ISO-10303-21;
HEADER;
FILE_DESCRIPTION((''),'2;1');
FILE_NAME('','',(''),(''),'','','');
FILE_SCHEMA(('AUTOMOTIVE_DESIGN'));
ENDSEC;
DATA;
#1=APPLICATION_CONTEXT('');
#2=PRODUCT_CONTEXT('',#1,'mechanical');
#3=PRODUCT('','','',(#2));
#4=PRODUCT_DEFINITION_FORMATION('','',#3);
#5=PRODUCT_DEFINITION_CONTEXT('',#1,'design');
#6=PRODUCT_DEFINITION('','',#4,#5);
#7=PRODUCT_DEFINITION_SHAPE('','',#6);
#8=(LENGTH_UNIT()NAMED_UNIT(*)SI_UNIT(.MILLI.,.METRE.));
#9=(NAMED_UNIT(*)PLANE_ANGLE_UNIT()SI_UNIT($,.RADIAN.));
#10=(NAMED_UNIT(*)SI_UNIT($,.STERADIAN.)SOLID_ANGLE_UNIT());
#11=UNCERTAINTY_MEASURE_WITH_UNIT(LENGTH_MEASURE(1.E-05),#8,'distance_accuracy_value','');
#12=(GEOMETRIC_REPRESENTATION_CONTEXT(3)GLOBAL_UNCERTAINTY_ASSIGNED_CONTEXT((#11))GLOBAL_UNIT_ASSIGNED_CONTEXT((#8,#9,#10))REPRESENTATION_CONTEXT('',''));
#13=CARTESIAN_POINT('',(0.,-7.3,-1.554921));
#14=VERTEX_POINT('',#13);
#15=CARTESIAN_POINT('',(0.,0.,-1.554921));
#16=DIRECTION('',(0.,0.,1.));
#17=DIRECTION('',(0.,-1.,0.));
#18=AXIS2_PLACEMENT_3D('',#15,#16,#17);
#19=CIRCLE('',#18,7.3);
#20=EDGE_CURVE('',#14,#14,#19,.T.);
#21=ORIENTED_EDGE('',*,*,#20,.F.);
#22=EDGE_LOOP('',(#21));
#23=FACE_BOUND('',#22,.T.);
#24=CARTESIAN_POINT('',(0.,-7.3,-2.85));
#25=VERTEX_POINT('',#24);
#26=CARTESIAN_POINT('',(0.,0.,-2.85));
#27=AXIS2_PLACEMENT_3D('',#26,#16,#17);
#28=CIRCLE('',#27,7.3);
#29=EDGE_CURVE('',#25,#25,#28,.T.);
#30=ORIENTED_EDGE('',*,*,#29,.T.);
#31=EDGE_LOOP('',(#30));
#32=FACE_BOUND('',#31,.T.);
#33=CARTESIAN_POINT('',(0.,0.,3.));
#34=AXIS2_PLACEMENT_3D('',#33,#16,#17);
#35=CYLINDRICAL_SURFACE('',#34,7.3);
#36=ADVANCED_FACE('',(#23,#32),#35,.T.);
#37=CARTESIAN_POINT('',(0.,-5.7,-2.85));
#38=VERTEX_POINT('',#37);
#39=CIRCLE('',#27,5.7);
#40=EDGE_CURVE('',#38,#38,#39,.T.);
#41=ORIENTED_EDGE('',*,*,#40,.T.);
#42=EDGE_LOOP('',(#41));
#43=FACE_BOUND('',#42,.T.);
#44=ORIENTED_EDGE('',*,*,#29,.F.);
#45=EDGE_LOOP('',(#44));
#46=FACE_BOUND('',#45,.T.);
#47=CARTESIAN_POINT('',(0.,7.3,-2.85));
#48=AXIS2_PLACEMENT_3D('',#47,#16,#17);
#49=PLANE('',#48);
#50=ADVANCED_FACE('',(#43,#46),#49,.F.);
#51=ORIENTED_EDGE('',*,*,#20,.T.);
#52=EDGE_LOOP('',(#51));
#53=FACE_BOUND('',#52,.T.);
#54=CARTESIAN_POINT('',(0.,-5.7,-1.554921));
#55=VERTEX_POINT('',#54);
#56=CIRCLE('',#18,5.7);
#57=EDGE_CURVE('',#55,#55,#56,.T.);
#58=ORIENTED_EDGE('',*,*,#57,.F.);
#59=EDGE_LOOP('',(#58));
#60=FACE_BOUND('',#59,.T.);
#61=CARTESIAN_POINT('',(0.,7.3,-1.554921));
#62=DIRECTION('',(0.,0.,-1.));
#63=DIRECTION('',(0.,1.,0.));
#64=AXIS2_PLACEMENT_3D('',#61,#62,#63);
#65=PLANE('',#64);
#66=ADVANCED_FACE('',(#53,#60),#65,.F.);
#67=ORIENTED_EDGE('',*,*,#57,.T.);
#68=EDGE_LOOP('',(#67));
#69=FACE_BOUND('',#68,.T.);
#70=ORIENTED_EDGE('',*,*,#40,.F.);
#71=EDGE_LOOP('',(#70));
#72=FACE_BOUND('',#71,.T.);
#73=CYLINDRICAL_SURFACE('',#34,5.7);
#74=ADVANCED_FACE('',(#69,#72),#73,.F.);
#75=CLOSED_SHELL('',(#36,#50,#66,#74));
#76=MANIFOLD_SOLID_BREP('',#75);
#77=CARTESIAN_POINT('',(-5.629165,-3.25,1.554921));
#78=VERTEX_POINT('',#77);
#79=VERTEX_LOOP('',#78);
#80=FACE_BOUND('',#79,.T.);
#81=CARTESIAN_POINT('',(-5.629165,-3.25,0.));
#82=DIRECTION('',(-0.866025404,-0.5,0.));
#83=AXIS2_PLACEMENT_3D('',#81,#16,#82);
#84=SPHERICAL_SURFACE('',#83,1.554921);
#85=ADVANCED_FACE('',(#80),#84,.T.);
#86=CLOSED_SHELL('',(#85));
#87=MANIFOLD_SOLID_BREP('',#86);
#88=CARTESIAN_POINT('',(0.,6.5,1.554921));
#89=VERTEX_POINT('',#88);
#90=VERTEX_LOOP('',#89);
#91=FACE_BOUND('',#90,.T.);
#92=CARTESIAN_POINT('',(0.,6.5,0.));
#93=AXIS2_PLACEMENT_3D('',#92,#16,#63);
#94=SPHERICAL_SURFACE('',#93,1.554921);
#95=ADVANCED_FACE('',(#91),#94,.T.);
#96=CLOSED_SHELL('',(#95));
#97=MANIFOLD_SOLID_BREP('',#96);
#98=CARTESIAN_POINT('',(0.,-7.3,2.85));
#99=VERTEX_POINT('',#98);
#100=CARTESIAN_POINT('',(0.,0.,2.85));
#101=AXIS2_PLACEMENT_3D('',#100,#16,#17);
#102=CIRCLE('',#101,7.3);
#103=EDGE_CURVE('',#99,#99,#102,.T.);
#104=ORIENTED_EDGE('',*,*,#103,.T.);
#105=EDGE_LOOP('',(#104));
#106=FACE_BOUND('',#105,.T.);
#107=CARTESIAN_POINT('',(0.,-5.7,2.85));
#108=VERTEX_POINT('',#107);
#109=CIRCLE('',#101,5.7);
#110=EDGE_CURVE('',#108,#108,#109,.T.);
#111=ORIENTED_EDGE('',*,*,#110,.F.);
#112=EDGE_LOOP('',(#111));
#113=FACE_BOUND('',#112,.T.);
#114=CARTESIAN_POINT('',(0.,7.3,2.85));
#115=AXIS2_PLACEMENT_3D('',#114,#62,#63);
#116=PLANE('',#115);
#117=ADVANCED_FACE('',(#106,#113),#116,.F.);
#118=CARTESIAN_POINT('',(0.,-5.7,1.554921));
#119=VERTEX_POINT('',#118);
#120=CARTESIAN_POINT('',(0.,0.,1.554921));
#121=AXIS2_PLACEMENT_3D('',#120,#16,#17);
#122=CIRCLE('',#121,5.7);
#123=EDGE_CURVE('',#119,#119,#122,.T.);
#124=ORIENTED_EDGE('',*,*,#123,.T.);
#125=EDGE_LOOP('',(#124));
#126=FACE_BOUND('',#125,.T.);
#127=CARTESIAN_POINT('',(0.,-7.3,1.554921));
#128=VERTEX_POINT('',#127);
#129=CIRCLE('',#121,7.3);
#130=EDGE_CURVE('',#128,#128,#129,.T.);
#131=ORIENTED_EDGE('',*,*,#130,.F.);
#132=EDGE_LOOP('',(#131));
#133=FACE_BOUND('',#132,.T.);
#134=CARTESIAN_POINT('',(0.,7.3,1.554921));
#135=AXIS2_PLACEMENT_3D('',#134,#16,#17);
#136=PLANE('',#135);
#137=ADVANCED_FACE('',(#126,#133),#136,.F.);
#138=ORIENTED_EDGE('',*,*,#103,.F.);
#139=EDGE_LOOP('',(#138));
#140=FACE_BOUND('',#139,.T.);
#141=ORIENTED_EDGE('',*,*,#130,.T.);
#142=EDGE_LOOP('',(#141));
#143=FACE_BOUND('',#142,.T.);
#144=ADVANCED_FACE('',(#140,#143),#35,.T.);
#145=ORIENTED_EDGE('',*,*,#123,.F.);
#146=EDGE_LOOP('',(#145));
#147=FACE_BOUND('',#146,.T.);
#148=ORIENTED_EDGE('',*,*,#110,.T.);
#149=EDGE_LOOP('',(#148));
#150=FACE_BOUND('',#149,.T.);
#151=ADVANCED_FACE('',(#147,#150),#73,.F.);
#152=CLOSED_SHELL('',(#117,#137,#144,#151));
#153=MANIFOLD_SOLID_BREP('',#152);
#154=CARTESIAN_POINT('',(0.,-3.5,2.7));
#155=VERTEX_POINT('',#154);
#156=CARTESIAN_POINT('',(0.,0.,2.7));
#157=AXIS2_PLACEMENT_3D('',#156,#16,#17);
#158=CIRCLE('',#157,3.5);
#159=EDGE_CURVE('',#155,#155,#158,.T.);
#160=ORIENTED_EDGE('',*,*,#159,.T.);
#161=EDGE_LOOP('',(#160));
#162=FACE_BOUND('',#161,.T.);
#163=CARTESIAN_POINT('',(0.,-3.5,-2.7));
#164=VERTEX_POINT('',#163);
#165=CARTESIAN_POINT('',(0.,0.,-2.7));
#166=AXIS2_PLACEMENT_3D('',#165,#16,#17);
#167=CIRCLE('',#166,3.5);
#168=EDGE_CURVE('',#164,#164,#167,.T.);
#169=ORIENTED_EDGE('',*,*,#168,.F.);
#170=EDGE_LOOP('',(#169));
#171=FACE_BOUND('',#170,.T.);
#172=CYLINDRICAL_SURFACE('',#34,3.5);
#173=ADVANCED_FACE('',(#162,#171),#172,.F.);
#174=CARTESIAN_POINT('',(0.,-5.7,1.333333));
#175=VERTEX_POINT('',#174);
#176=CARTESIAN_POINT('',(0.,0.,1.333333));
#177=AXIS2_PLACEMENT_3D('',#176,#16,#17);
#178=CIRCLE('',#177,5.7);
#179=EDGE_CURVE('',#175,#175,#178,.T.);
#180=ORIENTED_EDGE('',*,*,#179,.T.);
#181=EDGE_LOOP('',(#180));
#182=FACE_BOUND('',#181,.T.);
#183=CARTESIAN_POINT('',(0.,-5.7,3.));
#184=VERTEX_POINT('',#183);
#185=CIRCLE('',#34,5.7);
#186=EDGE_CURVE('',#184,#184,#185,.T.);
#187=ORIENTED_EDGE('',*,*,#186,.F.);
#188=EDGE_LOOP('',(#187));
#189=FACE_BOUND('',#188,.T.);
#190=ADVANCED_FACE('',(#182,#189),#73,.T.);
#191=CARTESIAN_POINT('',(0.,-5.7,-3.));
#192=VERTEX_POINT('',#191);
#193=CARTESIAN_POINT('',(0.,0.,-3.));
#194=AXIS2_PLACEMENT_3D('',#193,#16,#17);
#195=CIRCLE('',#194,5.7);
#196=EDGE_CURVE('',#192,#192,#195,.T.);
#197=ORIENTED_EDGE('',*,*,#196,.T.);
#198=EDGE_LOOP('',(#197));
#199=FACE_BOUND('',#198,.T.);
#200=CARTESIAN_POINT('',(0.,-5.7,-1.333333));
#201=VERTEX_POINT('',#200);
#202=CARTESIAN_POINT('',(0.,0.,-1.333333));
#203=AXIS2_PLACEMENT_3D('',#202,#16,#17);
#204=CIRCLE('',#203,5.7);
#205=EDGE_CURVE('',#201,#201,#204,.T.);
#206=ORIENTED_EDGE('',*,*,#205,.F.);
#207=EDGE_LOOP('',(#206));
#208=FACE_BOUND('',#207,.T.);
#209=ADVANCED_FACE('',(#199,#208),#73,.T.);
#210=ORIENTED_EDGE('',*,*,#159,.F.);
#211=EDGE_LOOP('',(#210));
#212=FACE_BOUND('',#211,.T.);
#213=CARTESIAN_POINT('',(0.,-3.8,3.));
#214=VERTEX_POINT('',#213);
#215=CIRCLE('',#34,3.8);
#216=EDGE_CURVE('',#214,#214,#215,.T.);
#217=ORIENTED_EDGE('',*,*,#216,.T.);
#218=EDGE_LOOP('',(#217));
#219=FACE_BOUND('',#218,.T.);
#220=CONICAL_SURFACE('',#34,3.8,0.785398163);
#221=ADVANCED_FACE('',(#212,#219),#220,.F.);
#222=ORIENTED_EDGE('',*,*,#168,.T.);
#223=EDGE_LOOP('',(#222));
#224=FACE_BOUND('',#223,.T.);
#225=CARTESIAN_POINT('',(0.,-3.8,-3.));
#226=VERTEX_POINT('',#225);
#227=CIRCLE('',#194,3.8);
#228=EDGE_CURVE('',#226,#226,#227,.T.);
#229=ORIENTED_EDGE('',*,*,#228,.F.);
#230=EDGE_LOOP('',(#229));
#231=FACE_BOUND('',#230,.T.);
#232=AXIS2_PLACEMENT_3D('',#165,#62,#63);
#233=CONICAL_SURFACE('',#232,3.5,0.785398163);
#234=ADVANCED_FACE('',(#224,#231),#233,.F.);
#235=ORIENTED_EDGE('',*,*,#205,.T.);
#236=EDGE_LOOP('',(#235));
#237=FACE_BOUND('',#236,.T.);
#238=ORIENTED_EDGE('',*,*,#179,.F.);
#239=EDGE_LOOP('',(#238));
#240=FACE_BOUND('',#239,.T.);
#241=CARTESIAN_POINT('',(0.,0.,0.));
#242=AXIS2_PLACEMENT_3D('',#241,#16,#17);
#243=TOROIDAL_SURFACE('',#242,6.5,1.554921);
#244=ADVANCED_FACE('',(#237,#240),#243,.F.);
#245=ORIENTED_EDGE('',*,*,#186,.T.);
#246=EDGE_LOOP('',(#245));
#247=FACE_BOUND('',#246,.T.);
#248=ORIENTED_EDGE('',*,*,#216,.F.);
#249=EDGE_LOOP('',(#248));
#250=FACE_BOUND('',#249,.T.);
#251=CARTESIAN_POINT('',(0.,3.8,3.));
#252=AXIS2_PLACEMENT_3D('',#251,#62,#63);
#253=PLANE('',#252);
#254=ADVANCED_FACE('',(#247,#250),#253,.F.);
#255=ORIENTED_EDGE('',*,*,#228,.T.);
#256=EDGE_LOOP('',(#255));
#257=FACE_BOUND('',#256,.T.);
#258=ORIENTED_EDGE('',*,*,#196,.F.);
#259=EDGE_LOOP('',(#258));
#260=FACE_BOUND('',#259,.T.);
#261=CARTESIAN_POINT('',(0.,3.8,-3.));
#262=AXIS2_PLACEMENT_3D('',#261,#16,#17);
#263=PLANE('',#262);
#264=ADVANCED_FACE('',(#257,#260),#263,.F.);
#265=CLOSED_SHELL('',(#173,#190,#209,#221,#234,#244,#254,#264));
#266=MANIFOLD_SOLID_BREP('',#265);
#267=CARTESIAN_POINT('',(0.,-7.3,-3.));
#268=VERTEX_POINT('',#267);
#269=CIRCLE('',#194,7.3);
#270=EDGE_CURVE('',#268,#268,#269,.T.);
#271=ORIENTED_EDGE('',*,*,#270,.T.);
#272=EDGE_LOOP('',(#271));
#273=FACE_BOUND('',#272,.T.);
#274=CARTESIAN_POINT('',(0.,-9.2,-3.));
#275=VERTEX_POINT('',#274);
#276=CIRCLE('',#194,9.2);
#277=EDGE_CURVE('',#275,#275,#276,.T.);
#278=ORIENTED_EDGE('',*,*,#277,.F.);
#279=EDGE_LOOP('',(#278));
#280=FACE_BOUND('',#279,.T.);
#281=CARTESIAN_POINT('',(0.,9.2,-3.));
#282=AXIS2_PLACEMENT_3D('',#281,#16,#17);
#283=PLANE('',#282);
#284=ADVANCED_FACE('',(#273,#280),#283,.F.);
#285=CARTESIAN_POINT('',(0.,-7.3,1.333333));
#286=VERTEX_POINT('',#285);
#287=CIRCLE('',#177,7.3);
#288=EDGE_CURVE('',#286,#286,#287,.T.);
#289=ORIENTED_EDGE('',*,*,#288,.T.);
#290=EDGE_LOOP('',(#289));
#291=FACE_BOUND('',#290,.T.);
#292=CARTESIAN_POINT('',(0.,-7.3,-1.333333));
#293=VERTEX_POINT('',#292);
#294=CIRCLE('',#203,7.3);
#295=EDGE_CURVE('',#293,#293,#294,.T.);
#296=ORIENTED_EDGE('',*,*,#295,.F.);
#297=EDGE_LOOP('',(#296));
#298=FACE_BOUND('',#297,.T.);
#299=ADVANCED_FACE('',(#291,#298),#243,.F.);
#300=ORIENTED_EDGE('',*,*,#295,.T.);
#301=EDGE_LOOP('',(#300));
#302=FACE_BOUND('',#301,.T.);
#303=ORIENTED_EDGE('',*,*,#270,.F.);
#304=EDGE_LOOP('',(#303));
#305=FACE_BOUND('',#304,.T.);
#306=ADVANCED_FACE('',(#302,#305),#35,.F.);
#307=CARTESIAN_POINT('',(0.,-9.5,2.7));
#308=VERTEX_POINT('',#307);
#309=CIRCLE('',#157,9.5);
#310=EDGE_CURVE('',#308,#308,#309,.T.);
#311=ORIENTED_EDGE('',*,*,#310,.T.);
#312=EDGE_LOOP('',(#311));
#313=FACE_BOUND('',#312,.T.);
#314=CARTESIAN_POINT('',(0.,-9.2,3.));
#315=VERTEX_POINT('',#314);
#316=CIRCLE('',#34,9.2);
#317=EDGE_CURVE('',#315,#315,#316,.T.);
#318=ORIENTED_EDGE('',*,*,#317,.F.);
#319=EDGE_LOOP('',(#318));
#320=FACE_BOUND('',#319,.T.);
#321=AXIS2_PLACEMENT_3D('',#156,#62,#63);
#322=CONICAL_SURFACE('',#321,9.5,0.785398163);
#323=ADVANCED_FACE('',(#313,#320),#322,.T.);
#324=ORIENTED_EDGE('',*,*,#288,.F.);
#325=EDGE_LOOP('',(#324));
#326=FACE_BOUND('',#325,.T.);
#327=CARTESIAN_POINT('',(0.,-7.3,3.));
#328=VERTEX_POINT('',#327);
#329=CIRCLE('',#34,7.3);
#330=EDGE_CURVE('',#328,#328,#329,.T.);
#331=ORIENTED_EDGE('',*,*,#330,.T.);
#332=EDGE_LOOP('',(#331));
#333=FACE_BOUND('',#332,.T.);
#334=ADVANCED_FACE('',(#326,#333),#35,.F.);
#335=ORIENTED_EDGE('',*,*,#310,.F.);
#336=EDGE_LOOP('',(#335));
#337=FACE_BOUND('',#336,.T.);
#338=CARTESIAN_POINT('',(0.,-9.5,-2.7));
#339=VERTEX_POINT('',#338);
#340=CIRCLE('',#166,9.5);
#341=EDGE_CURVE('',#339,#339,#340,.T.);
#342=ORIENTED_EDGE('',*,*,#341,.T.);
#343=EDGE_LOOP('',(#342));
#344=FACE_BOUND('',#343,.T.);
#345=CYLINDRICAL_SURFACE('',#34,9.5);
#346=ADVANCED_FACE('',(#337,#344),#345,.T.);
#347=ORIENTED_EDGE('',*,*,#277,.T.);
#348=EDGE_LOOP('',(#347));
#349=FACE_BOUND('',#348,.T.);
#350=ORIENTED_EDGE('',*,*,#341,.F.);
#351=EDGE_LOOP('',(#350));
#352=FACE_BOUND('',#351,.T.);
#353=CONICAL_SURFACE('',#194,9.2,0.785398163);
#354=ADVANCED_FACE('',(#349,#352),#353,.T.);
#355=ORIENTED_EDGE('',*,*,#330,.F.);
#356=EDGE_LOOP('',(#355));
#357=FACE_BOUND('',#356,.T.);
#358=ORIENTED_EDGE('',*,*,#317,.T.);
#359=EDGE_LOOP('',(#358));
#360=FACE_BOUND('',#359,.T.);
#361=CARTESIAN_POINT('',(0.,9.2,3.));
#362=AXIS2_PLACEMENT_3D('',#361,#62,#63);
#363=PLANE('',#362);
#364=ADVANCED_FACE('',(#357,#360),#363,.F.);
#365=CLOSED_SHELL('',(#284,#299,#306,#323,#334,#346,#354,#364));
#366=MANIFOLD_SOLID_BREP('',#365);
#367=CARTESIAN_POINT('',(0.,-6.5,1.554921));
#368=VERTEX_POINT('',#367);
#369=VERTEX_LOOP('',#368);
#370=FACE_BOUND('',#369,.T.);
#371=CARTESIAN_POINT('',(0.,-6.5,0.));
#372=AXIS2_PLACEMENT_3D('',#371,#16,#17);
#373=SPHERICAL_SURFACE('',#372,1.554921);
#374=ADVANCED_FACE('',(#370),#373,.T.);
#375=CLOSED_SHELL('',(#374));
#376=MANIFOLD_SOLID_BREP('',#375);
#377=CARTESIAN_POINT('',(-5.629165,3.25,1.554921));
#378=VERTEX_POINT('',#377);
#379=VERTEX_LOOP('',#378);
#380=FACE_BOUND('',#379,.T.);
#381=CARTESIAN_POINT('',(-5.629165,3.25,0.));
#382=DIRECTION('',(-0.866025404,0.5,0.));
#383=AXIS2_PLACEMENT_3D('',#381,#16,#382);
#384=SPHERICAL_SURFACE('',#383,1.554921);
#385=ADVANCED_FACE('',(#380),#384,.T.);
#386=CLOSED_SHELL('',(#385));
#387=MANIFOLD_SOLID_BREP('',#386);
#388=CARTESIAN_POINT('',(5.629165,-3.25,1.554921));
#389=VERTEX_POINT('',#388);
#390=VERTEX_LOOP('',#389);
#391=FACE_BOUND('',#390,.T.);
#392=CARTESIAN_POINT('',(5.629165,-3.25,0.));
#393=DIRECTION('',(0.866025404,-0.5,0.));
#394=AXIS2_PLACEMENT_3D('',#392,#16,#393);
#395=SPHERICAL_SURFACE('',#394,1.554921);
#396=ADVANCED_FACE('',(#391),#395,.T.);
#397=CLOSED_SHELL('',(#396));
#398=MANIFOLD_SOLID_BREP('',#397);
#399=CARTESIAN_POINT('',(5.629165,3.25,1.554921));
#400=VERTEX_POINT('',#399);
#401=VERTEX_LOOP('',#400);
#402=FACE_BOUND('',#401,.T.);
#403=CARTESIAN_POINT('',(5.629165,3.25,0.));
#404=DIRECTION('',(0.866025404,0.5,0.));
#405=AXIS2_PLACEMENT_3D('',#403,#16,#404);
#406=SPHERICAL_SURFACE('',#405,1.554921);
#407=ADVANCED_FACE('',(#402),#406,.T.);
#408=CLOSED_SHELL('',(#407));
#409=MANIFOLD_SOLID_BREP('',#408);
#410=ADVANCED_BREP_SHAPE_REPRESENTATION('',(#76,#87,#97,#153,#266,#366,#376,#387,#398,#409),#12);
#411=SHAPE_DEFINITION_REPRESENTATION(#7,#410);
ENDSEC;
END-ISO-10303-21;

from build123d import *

# Parameters (mm, degrees)
CIRPATTERN1_COUNT = 6
SKETCH5_W         = 1.295079495
SKETCH5_H         = 1.6


with BuildPart() as part:
    # Sketch7 → Revolve6 (revolve)
    with BuildSketch(Plane(origin=(0, 0, 0), x_dir=(0, 0, -1), z_dir=(1, 0, 0))):
        with BuildLine():
            Line((2.7, 9.5), (3, 9.2))
            Line((3, 9.2), (3, 7.3))
            Line((3, 7.3), (1.333333333, 7.3))
            ThreePointArc((1.333333333, 7.3), (0, 8.054920505), (-1.333333333, 7.3))
            Line((-1.333333333, 7.3), (-3, 7.3))
            Line((-3, 7.3), (-3, 9.2))
            Line((-3, 9.2), (-2.7, 9.5))
            Line((-2.7, 9.5), (2.7, 9.5))
        make_face()
    revolve(axis=Axis((0, 0, 3), (0, 0, -1)))


with BuildPart() as body_2:
    # Sketch3 → Revolve3 (revolve)
    with BuildSketch(Plane(origin=(0, 0, 0), x_dir=(0, 0, -1), z_dir=(1, 0, 0))):
        with BuildLine():
            Line((-2.7, 3.5), (-3, 3.8))
            Line((-3, 3.8), (-3, 5.7))
            Line((-3, 5.7), (-1.333333333, 5.7))
            ThreePointArc((-1.333333333, 5.7), (0, 4.945079495), (1.333333333, 5.7))
            Line((1.333333333, 5.7), (3, 5.7))
            Line((3, 5.7), (3, 3.8))
            Line((3, 3.8), (2.7, 3.5))
            Line((2.7, 3.5), (-2.7, 3.5))
        make_face()
    revolve(axis=Axis((0, 0, 3), (0, 0, -1)))


with BuildPart() as body_3:
    # Sketch4 → Revolve4 (revolve)
    with BuildSketch(Plane(origin=(0, 0, 0), x_dir=(0, 0, -1), z_dir=(1, 0, 0))):
        with BuildLine():
            Line((-1.554920505, 6.5), (1.554920505, 6.5))
            ThreePointArc((1.554920505, 6.5), (0, 8.054920505), (-1.554920505, 6.5))
        make_face()
    revolve(axis=Axis((0, 6.5, 1.554920505), (0, 0, -1)))


with BuildPart() as cirpattern1_1:
    # CirPattern1: pattern copy
    add(body_3.part.rotate(Axis((0, 0, 0), (0, 0, 1)), 1 * 360 / CIRPATTERN1_COUNT))


with BuildPart() as cirpattern1_2:
    # CirPattern1: pattern copy
    add(body_3.part.rotate(Axis((0, 0, 0), (0, 0, 1)), 2 * 360 / CIRPATTERN1_COUNT))


with BuildPart() as cirpattern1_3:
    # CirPattern1: pattern copy
    add(body_3.part.rotate(Axis((0, 0, 0), (0, 0, 1)), 3 * 360 / CIRPATTERN1_COUNT))


with BuildPart() as cirpattern1_4:
    # CirPattern1: pattern copy
    add(body_3.part.rotate(Axis((0, 0, 0), (0, 0, 1)), 4 * 360 / CIRPATTERN1_COUNT))


with BuildPart() as cirpattern1_5:
    # CirPattern1: pattern copy
    add(body_3.part.rotate(Axis((0, 0, 0), (0, 0, 1)), 5 * 360 / CIRPATTERN1_COUNT))


with BuildPart() as body_9:
    # Sketch5 → Revolve5 (revolve)
    with BuildSketch(Plane(origin=(0, 0, 0), x_dir=(0, 0, -1), z_dir=(1, 0, 0))):
        with Locations((-2.202460252, 6.5)):
            Rectangle(SKETCH5_W, SKETCH5_H)
        with Locations((2.202460252, 6.5)):
            Rectangle(SKETCH5_W, SKETCH5_H)
    revolve(axis=Axis((0, 0, 3), (0, 0, -1)))


solid = Compound([part.part, body_2.part, body_3.part, cirpattern1_1.part, cirpattern1_2.part, cirpattern1_3.part, cirpattern1_4.part, cirpattern1_5.part, body_9.part])
